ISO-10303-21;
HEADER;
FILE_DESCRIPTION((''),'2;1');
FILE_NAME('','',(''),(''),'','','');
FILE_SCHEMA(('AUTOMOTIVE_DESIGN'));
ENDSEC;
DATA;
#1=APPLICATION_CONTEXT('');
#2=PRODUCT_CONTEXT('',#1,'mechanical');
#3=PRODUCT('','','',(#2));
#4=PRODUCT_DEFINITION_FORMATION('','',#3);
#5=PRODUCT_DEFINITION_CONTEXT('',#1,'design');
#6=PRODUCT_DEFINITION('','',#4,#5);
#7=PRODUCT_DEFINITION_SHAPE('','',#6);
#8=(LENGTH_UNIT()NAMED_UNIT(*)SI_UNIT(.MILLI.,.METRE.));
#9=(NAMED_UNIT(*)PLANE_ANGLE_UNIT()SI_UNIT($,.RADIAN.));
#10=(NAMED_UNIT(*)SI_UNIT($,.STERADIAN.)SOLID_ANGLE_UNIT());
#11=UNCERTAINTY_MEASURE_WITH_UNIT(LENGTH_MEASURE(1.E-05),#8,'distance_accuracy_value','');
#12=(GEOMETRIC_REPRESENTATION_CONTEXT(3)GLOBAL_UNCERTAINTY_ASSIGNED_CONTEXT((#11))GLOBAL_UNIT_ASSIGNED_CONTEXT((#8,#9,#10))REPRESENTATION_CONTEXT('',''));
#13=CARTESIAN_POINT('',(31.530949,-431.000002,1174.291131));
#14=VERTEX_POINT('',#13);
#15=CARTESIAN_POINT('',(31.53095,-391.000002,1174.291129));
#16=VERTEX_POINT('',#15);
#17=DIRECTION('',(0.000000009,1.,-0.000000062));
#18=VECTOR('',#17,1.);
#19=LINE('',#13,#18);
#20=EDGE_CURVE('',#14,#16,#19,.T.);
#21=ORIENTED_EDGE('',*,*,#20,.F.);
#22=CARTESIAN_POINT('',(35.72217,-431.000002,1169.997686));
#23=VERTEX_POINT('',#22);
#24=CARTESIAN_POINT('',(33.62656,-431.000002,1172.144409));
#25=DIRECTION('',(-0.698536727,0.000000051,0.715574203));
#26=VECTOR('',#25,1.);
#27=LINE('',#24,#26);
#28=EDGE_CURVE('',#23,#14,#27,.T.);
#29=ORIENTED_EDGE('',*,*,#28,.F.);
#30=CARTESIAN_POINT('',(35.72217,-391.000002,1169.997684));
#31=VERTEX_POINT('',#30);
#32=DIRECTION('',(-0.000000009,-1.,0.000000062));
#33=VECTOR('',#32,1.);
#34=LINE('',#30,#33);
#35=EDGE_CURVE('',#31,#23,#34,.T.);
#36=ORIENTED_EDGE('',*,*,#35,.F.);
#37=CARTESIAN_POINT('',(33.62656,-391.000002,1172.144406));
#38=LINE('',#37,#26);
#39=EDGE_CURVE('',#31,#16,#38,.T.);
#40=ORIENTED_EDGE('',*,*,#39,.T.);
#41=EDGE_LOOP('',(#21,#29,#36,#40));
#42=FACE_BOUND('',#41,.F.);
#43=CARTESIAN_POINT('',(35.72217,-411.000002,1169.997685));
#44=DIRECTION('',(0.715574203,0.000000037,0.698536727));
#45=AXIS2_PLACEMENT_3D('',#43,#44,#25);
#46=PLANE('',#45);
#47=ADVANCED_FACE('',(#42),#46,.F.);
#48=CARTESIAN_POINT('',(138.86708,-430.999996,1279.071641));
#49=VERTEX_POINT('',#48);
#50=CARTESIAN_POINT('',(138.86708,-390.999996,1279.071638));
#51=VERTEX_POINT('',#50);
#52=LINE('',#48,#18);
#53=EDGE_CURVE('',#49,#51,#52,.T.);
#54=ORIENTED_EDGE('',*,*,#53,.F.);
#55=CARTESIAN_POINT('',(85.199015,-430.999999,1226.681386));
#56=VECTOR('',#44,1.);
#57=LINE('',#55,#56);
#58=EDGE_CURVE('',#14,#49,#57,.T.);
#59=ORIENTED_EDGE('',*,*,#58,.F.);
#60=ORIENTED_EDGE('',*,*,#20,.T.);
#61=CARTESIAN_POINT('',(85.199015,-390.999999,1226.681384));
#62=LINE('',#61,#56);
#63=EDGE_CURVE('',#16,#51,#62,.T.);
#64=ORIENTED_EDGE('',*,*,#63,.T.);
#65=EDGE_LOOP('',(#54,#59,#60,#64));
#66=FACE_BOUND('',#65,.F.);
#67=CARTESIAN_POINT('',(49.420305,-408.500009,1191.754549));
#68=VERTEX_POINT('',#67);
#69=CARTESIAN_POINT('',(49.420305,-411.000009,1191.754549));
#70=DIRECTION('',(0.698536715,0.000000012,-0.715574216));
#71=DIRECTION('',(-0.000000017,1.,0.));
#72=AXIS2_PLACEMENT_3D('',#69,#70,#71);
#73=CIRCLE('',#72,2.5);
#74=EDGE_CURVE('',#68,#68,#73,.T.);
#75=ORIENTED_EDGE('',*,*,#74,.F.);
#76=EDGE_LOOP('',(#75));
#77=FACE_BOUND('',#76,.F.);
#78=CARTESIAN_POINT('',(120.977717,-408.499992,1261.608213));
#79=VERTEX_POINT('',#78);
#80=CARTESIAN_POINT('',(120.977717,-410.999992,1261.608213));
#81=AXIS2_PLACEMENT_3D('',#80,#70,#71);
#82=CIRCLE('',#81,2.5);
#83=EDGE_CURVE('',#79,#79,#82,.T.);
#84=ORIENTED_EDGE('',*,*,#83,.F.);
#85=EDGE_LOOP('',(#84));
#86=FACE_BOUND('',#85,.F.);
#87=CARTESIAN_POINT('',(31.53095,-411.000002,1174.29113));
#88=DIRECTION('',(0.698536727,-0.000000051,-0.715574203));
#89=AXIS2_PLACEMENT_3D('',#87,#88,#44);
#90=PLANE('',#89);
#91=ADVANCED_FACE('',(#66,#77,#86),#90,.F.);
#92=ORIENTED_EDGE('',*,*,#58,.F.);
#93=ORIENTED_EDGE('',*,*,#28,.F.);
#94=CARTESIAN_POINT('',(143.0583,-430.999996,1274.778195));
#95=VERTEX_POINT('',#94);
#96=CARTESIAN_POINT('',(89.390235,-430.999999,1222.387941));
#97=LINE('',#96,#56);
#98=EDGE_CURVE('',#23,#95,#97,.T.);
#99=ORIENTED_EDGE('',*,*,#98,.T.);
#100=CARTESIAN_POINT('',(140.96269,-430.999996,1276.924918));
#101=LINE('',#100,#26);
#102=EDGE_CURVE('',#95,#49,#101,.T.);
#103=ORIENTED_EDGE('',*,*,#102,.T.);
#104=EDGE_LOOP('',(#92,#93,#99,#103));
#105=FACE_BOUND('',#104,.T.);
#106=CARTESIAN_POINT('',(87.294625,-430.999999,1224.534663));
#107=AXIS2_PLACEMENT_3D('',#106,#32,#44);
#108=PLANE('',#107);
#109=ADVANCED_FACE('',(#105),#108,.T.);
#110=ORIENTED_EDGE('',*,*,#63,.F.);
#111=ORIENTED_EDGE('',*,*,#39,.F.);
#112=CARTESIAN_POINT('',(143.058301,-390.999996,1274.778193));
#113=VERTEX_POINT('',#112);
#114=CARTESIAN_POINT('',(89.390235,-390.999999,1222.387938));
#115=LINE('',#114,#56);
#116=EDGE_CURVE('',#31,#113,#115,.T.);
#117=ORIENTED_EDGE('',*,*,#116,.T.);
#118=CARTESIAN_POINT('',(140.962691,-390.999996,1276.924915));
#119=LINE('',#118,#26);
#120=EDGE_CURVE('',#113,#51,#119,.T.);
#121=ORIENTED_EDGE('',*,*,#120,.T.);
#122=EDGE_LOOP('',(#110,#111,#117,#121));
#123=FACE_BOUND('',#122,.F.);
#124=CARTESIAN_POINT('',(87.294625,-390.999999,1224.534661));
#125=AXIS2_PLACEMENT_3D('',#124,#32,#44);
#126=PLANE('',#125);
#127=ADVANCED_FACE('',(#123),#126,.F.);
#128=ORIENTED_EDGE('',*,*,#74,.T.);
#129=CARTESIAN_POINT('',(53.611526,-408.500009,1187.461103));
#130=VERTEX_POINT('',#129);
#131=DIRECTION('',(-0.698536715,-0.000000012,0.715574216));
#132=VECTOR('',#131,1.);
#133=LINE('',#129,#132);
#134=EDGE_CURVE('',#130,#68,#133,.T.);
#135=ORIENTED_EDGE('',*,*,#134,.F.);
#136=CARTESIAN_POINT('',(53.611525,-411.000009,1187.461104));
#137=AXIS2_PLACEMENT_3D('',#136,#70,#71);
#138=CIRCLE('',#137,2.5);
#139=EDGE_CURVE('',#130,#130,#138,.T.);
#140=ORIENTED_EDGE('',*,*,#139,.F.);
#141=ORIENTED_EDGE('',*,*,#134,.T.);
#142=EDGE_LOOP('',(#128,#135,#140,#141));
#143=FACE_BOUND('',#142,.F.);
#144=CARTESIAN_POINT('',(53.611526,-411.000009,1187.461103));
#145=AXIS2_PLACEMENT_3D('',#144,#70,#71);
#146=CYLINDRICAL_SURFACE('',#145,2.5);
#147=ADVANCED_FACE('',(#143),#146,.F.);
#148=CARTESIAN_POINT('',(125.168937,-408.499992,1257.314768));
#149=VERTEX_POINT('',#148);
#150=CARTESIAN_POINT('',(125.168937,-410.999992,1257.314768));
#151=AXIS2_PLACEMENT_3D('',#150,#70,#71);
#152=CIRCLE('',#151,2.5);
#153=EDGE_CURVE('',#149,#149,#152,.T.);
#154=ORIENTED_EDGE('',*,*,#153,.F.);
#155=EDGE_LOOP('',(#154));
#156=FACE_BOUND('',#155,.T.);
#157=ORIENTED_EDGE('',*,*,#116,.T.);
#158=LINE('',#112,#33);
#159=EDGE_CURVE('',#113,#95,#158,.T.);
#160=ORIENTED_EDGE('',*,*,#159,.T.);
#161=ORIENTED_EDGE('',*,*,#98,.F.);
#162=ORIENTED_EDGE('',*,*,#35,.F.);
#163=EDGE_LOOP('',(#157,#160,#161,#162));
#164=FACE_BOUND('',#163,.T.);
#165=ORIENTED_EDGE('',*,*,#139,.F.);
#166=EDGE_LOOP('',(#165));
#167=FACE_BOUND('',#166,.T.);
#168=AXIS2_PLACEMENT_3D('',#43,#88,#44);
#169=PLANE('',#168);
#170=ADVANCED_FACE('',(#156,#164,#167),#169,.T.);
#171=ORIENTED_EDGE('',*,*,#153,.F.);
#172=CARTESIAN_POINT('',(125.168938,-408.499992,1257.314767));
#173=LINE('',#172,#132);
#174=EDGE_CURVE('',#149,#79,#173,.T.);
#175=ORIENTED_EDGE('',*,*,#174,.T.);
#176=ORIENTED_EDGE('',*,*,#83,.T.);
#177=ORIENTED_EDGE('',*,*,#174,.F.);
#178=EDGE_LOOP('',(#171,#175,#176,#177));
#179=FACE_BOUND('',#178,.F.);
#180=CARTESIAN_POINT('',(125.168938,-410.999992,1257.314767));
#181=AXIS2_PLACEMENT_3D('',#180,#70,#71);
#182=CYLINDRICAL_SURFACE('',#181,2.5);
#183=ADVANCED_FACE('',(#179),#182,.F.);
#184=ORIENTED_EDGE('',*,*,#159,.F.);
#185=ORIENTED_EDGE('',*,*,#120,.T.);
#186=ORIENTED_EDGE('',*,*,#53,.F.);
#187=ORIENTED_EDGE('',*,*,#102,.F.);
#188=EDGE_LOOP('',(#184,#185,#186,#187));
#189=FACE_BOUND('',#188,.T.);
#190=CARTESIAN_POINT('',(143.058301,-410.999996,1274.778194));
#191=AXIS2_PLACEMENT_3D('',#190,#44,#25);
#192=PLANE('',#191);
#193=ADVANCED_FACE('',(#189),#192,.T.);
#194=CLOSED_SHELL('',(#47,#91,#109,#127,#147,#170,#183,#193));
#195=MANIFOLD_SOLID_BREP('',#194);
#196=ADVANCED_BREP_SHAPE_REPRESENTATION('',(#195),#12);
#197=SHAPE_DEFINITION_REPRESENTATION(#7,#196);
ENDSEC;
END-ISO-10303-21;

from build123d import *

# Parameters (mm, degrees)
CIRCLE002_AS_DRAWN_R                         = 2.5
EXTRUDE004_DEPTH                             = 10
EXTRUDE004_ONTO_CIRCLE002_ROLL_ANGLE         = 135.690278
EXTRUDE004_ONTO_CIRCLE002_PITCH_ANGLE        = 0
EXTRUDE004_ONTO_CIRCLE002_PLACEMENT_ANGLE    = 90.000001
CIRCLE001_AS_DRAWN_R                         = 2.5
EXTRUDE003_DEPTH                             = 10
EXTRUDE003_ONTO_CIRCLE001_ROLL_ANGLE         = 135.690278
EXTRUDE003_ONTO_CIRCLE001_PITCH_ANGLE        = 0
EXTRUDE003_ONTO_CIRCLE001_PLACEMENT_ANGLE    = 90.000001
RECTANGLE001_AS_DRAWN_W                      = 150
RECTANGLE001_AS_DRAWN_H                      = 6
EXTRUDE002_DEPTH                             = 20
EXTRUDE002_ONTO_RECTANGLE001_ROLL_ANGLE      = 89.999995
EXTRUDE002_ONTO_RECTANGLE001_PITCH_ANGLE     = -44.309723
EXTRUDE002_ONTO_RECTANGLE001_PLACEMENT_ANGLE = 3e-06


with BuildPart() as extrude004:
    # Circle002 as drawn → Extrude004 (new)
    with BuildSketch(Plane.XY):
        Circle(CIRCLE002_AS_DRAWN_R)
    extrude(amount=-EXTRUDE004_DEPTH)


with BuildPart() as extrude004_1:
    # Extrude004 onto Circle002 roll: moved
    add(extrude004.part.rotate(Axis((0, 0, 0), (1, 0, 0)), EXTRUDE004_ONTO_CIRCLE002_ROLL_ANGLE))


with BuildPart() as extrude004_2:
    # Extrude004 onto Circle002 pitch: moved
    add(extrude004_1.part.rotate(Axis((0, 0, 0), (0, 1, 0)), EXTRUDE004_ONTO_CIRCLE002_PITCH_ANGLE))


with BuildPart() as extrude004_3:
    # Extrude004 onto Circle002 placement: moved
    add(extrude004_2.part.moved(Location((53.611526, -9.999937, 1187.461103))).rotate(Axis((53.611526, -9.999937, 1187.461103), (0, 0, 1)), EXTRUDE004_ONTO_CIRCLE002_PLACEMENT_ANGLE))


with BuildPart() as compound001:
    # Circle001 as drawn → Extrude003 (new)
    with BuildSketch(Plane.XY):
        Circle(CIRCLE001_AS_DRAWN_R)
    extrude(amount=-EXTRUDE003_DEPTH)


with BuildPart() as compound001_1:
    # Extrude003 onto Circle001 roll: moved
    add(compound001.part.rotate(Axis((0, 0, 0), (1, 0, 0)), EXTRUDE003_ONTO_CIRCLE001_ROLL_ANGLE))


with BuildPart() as compound001_2:
    # Extrude003 onto Circle001 pitch: moved
    add(compound001_1.part.rotate(Axis((0, 0, 0), (0, 1, 0)), EXTRUDE003_ONTO_CIRCLE001_PITCH_ANGLE))


with BuildPart() as compound001_3:
    # Extrude003 onto Circle001 placement: moved
    add(compound001_2.part.moved(Location((125.168938, -9.99992, 1257.314767))).rotate(Axis((125.168938, -9.99992, 1257.314767), (0, 0, 1)), EXTRUDE003_ONTO_CIRCLE001_PLACEMENT_ANGLE))

    # Compound001: union Extrude004
    add(extrude004_3.part)


with BuildPart() as compound001_4:
    # Compound001 placement: moved
    add(compound001_3.part.moved(Location((0, -401.000072, 0))))


with BuildPart() as cut001:
    # Rectangle001 as drawn → Extrude002 (new, symmetric)
    with BuildSketch(Plane.XY):
        with Locations((75, 3)):
            Rectangle(RECTANGLE001_AS_DRAWN_W, RECTANGLE001_AS_DRAWN_H)
    extrude(amount=EXTRUDE002_DEPTH, both=True)


with BuildPart() as cut001_1:
    # Extrude002 onto Rectangle001 roll: moved
    add(cut001.part.rotate(Axis((0, 0, 0), (1, 0, 0)), EXTRUDE002_ONTO_RECTANGLE001_ROLL_ANGLE))


with BuildPart() as cut001_2:
    # Extrude002 onto Rectangle001 pitch: moved
    add(cut001_1.part.rotate(Axis((0, 0, 0), (0, 1, 0)), EXTRUDE002_ONTO_RECTANGLE001_PITCH_ANGLE))


with BuildPart() as cut001_3:
    # Extrude002 onto Rectangle001 placement: moved
    add(cut001_2.part.moved(Location((35.72217, -9.99993, 1169.997685))).rotate(Axis((35.72217, -9.99993, 1169.997685), (0, 0, 1)), EXTRUDE002_ONTO_RECTANGLE001_PLACEMENT_ANGLE))


with BuildPart() as cut001_4:
    # Extrude002 placement: moved
    add(cut001_3.part.moved(Location((0, -401.000072, 0))))

    # Cut001: cut Compound001
    add(compound001_4.part, mode=Mode.SUBTRACT)


solid = cut001_4.part
